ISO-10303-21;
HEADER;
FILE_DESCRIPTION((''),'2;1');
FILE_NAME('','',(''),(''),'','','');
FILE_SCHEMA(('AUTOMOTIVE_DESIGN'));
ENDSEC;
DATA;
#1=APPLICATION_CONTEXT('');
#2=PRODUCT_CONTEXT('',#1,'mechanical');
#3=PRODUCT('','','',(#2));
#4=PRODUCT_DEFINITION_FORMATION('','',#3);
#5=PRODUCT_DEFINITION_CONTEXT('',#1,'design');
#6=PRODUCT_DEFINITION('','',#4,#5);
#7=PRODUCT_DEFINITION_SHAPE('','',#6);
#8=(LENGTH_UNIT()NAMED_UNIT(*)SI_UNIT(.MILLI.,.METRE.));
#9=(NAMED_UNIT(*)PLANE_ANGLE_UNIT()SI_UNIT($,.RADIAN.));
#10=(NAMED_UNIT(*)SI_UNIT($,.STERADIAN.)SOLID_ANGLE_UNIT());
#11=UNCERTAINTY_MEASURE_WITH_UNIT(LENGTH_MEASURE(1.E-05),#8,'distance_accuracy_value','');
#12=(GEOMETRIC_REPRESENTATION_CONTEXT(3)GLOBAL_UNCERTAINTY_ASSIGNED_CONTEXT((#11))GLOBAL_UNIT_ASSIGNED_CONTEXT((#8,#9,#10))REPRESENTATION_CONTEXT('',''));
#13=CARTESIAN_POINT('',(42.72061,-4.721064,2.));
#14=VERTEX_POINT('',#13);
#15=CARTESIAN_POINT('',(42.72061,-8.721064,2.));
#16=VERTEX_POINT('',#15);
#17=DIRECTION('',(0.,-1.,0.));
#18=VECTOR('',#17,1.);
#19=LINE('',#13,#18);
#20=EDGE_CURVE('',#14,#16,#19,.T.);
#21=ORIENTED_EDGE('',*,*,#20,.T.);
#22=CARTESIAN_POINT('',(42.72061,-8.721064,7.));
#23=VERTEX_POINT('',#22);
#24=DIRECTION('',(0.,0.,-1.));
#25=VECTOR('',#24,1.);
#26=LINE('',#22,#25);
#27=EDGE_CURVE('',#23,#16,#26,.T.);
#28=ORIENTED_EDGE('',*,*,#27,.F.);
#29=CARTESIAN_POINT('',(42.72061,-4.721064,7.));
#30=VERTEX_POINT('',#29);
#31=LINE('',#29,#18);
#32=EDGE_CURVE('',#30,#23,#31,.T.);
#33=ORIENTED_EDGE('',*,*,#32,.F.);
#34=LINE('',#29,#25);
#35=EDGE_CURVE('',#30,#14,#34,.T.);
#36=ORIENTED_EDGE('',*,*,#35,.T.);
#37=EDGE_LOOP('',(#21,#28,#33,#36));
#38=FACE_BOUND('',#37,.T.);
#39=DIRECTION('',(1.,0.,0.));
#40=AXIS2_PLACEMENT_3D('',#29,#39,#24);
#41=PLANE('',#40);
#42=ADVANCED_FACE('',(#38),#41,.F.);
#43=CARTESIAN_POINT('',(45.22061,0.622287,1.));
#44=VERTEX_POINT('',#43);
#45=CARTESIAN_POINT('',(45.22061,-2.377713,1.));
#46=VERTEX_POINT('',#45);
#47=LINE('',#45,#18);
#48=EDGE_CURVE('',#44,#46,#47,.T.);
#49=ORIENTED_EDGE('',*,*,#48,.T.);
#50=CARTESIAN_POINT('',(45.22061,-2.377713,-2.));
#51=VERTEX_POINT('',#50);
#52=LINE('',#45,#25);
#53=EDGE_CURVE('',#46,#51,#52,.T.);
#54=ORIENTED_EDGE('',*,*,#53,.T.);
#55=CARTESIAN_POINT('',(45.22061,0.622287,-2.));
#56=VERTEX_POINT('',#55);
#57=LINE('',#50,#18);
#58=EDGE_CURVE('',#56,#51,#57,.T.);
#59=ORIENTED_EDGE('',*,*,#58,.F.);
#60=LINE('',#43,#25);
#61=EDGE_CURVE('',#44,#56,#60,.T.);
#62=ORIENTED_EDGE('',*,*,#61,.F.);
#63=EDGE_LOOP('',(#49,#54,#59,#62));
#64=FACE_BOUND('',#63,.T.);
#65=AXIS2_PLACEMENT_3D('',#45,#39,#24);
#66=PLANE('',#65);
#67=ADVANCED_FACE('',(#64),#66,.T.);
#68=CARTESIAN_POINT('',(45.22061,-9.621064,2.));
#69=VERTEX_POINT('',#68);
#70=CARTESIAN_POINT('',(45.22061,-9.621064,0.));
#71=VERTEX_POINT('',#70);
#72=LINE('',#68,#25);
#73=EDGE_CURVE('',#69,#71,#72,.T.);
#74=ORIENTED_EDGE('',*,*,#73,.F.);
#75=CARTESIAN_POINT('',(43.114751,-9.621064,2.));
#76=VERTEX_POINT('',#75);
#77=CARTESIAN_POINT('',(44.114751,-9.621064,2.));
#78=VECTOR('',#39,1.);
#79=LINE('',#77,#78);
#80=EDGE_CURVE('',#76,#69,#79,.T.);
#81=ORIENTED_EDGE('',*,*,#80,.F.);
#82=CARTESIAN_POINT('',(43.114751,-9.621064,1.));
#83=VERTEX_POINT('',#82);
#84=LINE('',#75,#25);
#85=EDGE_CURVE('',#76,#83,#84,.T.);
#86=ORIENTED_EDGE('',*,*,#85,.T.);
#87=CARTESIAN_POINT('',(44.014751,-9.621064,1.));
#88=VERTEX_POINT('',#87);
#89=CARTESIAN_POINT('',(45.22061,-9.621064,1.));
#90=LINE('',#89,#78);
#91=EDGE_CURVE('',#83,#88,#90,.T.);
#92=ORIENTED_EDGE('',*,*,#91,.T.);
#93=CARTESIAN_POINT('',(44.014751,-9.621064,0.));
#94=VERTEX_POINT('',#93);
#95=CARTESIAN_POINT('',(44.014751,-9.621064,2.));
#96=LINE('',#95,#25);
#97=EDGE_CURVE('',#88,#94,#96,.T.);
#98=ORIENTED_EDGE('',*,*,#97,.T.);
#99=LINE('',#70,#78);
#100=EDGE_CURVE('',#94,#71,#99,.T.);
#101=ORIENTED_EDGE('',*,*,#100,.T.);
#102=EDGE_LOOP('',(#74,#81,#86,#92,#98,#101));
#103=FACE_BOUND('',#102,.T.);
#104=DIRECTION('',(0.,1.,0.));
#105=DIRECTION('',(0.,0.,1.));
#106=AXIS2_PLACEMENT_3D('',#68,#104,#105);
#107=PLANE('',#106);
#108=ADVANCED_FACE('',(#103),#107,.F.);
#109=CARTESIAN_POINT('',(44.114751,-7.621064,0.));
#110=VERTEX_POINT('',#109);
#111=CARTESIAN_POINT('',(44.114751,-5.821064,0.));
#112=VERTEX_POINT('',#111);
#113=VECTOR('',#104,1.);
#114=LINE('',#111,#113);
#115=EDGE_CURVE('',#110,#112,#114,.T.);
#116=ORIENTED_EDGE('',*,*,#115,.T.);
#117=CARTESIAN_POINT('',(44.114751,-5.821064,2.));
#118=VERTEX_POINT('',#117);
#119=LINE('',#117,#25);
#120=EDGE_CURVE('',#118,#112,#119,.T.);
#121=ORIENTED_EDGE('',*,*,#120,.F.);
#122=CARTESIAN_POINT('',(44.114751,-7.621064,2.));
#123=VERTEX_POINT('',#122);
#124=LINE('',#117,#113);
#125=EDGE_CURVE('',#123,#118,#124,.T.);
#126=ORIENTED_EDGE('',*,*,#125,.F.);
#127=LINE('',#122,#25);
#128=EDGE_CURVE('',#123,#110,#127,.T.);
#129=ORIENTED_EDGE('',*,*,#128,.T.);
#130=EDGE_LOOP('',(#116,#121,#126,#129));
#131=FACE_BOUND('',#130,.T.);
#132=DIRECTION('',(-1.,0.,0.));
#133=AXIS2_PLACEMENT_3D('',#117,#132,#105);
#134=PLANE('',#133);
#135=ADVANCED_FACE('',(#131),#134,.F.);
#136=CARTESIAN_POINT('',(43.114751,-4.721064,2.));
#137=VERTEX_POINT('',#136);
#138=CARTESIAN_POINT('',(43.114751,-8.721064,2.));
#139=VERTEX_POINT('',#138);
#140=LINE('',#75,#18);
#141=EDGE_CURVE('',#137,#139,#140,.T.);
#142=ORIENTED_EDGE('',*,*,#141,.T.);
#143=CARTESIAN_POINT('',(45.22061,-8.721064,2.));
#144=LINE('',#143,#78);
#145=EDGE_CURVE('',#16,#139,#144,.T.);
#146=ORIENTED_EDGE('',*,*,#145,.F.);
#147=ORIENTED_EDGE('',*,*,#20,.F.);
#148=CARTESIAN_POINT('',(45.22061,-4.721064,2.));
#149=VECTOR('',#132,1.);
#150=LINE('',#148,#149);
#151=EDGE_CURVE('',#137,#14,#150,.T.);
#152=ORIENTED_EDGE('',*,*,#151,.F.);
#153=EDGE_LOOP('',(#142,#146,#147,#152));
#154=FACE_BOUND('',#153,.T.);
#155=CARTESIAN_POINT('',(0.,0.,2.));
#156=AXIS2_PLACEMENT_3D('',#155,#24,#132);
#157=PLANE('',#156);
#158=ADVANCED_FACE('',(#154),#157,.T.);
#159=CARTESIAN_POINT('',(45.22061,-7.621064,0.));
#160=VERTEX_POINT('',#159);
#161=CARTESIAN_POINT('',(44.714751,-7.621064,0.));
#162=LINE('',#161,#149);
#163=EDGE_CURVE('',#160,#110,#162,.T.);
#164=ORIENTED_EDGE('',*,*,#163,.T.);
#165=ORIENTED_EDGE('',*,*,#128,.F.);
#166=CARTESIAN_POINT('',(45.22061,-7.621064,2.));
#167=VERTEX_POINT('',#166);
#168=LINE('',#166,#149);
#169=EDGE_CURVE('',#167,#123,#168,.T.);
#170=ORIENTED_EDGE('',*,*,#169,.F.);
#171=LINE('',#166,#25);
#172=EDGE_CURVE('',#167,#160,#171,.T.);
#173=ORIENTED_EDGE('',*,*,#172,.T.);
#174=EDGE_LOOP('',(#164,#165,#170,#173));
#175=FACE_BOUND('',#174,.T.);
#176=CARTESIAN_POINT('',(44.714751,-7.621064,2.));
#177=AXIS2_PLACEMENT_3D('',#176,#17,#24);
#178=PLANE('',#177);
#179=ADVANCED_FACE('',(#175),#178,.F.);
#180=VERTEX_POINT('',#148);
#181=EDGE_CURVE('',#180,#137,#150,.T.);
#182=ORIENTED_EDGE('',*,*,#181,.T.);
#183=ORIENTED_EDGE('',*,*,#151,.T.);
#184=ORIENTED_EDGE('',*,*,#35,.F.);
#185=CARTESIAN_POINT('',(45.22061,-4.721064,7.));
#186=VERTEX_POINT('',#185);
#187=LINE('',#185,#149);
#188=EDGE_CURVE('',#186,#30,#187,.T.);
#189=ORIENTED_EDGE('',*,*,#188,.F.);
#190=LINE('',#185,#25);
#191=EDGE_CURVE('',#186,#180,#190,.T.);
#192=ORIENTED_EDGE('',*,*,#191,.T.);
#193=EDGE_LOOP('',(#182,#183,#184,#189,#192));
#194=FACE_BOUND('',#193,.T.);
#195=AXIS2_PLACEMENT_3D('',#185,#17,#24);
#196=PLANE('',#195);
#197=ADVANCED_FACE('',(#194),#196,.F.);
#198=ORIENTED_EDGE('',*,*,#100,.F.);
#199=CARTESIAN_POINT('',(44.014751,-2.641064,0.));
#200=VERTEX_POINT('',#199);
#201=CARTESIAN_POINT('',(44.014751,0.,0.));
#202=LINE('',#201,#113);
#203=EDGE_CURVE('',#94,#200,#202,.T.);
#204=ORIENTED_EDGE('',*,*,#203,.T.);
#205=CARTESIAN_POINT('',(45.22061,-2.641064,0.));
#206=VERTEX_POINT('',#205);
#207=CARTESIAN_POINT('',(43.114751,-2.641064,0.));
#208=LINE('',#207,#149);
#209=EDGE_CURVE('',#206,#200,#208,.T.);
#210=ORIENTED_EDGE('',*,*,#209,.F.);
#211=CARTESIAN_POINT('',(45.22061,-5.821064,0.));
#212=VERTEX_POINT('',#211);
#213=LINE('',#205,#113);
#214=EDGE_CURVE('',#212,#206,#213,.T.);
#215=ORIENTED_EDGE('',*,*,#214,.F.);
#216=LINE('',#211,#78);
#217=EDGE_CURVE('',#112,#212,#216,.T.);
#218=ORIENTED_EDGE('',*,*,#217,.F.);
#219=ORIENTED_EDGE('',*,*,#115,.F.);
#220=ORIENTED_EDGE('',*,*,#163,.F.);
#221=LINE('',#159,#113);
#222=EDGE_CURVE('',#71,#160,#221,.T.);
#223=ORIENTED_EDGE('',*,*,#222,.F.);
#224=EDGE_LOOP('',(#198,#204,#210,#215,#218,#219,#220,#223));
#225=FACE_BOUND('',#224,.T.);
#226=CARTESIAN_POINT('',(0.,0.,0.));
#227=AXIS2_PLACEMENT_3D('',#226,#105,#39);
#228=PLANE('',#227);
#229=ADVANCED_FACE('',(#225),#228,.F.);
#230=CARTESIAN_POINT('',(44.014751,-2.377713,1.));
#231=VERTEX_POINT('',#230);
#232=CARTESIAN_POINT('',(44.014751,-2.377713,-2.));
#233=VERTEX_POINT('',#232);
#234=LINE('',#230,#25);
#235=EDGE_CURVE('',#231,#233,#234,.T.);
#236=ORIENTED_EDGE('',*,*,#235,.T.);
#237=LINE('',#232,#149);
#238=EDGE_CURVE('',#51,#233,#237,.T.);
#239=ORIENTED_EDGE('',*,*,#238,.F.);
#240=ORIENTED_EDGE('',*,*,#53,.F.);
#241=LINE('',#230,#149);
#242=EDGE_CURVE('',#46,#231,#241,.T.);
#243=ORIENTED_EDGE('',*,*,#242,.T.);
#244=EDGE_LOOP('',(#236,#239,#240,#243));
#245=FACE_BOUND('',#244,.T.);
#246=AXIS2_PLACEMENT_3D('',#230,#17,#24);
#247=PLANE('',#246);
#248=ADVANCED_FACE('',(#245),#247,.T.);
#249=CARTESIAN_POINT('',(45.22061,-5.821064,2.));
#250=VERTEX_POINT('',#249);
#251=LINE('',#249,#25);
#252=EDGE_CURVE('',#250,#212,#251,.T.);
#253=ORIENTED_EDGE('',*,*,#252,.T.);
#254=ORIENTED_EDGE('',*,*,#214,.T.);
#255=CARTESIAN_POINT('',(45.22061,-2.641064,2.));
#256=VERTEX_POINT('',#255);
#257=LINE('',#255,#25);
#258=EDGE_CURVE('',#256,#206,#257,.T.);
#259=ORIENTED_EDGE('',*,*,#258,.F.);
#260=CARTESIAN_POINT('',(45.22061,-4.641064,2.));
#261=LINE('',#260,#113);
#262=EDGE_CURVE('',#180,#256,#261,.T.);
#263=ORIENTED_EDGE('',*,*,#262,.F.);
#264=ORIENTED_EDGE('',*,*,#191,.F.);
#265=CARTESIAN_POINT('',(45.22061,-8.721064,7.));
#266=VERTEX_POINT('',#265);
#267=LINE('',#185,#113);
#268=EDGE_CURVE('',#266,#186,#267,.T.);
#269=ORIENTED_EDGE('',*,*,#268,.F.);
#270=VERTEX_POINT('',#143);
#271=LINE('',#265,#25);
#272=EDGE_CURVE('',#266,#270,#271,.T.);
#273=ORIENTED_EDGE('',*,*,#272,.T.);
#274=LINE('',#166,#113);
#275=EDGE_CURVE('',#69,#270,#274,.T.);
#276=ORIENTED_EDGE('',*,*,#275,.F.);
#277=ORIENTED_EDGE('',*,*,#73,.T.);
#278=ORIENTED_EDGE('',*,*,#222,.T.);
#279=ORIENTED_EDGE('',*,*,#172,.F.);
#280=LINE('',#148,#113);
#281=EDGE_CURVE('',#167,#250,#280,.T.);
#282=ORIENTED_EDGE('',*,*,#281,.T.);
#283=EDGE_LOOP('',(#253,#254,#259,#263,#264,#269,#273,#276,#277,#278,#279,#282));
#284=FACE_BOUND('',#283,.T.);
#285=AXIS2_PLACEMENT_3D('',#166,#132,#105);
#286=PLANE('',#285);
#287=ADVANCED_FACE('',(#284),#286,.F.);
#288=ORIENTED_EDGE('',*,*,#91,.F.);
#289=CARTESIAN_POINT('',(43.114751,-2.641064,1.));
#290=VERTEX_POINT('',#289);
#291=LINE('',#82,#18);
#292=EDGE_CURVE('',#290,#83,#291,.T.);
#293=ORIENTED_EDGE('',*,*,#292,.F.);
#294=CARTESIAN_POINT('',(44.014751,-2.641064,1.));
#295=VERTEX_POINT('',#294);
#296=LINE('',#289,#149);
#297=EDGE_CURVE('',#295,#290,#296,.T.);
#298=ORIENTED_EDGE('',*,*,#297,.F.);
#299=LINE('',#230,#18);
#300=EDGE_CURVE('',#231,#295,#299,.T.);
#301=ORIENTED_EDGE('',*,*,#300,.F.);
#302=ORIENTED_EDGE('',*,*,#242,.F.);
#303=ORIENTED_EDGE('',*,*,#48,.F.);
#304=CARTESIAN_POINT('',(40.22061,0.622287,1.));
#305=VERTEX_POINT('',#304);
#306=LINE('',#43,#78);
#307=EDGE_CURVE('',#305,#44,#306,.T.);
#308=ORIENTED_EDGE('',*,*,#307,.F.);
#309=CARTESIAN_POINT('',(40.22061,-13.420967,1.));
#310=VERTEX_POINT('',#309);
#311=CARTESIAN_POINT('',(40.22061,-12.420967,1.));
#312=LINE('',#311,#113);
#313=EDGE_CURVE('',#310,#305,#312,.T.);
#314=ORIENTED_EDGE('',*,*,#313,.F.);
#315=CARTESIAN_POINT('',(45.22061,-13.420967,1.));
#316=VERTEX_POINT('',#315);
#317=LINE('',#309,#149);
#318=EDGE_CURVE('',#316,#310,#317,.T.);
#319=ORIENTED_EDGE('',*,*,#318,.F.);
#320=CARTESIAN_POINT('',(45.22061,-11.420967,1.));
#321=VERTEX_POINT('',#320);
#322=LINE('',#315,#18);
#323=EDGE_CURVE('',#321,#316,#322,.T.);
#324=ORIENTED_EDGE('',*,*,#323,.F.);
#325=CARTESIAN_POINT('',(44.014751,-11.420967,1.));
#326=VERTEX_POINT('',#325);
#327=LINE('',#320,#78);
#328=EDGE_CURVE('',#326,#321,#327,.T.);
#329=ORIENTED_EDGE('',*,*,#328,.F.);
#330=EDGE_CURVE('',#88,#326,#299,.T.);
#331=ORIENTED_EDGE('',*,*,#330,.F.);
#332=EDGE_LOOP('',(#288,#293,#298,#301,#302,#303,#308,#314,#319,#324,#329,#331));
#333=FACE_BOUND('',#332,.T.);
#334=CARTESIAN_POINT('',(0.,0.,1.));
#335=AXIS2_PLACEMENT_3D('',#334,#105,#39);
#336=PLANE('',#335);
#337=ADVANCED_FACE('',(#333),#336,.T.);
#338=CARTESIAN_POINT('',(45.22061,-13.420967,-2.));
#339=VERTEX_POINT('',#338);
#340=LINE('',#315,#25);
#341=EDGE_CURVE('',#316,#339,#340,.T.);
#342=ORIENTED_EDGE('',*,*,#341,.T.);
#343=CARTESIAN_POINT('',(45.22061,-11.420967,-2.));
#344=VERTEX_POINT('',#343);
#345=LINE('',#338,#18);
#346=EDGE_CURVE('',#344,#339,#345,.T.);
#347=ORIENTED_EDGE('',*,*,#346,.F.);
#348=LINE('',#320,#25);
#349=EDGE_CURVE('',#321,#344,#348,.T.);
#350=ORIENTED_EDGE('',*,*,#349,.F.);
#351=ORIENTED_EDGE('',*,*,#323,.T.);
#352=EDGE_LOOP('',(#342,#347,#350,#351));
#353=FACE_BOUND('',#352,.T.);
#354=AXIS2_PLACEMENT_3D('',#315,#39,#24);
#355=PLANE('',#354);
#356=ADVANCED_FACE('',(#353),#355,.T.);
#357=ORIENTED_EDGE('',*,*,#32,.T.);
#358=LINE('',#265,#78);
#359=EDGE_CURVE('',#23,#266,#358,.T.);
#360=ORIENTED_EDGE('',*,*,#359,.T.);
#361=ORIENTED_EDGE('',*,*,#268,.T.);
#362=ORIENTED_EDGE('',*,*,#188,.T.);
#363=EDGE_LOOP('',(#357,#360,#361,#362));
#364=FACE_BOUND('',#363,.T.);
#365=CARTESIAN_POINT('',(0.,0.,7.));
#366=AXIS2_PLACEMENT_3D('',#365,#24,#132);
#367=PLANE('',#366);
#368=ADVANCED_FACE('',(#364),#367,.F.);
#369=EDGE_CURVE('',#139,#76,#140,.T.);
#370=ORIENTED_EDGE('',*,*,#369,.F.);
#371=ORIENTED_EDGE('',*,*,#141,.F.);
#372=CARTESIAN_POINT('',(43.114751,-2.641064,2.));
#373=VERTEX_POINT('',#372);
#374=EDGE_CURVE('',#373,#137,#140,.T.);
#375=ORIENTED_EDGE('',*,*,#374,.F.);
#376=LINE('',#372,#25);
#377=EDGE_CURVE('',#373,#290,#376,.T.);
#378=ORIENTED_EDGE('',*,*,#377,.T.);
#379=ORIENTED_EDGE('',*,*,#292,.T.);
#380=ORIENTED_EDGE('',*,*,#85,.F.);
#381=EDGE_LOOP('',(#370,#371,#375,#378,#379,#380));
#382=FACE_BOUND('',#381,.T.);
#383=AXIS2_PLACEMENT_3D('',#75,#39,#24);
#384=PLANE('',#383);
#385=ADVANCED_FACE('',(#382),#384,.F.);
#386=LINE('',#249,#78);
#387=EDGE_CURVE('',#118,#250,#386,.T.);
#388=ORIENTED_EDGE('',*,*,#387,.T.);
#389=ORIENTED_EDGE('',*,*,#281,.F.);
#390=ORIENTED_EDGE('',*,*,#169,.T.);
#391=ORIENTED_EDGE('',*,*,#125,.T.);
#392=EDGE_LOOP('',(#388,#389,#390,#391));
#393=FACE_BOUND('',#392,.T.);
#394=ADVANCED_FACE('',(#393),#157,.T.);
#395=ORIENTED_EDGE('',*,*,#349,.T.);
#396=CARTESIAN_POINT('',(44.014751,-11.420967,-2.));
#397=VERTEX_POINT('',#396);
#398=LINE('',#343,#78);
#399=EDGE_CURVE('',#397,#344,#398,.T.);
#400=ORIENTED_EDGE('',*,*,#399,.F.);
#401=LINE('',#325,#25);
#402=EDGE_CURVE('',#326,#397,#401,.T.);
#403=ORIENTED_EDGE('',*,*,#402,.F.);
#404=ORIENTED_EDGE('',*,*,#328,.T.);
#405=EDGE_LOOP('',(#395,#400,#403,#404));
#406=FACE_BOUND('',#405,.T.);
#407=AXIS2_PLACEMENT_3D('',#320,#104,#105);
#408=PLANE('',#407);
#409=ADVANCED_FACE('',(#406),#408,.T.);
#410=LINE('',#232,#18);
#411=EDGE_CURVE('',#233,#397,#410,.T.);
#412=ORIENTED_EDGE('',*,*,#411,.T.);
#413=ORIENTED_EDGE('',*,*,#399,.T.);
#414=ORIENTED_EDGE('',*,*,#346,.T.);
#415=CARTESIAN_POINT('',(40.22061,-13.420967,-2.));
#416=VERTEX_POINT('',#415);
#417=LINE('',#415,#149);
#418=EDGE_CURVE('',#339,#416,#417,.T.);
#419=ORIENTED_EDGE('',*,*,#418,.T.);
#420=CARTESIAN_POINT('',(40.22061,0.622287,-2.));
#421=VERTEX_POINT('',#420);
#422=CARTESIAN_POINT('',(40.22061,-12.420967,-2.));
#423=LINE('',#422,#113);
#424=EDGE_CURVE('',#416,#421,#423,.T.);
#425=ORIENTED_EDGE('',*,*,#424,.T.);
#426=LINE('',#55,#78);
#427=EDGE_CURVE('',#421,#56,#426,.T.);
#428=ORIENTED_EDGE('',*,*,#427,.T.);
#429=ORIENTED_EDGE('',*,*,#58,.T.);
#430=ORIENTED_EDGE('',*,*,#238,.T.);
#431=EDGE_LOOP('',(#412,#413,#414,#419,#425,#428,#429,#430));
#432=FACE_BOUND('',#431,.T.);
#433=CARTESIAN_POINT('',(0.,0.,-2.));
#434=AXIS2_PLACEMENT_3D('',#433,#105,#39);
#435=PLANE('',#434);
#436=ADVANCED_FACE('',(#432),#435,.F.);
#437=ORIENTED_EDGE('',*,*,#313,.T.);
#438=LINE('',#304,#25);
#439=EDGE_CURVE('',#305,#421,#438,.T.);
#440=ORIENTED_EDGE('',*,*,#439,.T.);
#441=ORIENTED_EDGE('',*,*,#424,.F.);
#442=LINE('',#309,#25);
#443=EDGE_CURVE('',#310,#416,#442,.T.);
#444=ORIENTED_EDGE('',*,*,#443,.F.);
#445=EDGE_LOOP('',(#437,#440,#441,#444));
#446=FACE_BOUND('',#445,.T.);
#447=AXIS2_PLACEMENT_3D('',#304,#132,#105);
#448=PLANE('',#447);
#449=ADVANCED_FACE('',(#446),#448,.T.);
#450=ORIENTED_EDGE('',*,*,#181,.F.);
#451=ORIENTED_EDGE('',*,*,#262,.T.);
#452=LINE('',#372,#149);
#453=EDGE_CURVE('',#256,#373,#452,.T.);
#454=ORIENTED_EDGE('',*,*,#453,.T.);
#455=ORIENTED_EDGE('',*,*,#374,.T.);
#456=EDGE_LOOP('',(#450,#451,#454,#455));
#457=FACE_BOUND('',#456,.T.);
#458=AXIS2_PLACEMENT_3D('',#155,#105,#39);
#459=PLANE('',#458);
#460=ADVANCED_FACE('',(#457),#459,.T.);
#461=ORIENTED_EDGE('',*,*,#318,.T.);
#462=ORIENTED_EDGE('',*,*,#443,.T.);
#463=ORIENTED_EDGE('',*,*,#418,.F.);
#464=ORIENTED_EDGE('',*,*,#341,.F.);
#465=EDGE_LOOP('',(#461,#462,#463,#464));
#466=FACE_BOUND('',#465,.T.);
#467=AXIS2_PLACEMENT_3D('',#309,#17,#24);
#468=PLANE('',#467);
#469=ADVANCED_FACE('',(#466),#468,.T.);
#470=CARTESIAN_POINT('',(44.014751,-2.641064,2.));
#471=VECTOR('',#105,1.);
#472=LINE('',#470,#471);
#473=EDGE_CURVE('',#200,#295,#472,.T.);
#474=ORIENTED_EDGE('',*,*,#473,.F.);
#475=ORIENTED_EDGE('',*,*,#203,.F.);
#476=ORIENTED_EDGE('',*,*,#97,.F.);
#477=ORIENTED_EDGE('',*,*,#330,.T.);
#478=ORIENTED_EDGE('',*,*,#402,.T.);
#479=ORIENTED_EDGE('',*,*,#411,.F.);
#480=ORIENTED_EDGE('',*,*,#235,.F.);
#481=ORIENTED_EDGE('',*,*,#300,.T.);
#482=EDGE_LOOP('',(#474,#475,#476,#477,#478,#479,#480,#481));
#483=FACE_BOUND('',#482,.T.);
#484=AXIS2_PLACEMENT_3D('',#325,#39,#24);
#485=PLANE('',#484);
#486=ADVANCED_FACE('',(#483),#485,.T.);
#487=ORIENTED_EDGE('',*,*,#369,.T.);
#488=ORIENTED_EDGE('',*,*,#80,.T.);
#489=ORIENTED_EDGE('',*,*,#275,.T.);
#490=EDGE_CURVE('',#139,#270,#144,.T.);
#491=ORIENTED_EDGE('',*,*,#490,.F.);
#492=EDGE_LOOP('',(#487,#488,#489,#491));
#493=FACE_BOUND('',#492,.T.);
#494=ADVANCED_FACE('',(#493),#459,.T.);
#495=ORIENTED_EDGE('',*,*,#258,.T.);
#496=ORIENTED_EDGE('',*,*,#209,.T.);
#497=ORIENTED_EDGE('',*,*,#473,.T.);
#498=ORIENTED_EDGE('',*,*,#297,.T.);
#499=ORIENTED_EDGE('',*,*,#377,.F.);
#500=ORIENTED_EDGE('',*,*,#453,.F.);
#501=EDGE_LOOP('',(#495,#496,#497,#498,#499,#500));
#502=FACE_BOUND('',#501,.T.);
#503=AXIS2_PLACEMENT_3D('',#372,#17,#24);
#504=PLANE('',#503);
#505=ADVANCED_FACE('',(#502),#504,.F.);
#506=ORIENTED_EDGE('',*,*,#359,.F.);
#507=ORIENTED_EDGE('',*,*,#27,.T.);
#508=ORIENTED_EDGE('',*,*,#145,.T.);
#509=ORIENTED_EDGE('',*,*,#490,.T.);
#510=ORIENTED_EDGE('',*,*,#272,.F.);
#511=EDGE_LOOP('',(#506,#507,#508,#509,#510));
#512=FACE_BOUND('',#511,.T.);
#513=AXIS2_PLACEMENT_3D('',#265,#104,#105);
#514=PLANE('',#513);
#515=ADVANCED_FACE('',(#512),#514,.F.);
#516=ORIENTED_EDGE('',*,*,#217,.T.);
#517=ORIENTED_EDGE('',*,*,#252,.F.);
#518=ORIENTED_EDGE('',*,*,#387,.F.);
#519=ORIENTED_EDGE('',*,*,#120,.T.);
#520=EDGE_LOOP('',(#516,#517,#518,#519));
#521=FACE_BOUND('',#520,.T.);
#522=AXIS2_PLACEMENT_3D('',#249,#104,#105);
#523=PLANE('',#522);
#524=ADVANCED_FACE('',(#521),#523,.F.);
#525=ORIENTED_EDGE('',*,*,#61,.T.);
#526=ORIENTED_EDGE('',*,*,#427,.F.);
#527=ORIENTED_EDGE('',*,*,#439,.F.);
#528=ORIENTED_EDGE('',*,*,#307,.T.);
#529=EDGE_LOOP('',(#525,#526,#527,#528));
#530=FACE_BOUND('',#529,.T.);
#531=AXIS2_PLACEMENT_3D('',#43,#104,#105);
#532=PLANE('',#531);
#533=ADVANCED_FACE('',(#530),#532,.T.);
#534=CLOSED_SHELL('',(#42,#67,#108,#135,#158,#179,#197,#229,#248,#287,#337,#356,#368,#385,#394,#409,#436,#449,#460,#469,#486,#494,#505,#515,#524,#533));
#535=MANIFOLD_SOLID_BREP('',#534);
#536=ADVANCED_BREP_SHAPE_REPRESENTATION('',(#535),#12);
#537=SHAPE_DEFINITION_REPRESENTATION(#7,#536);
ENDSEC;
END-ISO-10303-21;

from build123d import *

# Parameters (mm, degrees)
SALIENTE_EXTRUIR1_DEPTH      = 2
CROQUIS2_W                   = 2.5
CROQUIS2_H                   = 4
SALIENTE_EXTRUIR2_DEPTH      = 5
SALIENTE_EXTRUIR3_DEPTH      = 2
SALIENTE_EXTRUIR3_DEPTH_BACK = 1


with BuildPart() as part:
    # Croquis1 → Saliente-Extruir1 (new body)
    with BuildSketch(Plane.XY):
        Polygon((44.714751496, -7.621064437), (44.114751496, -7.621064437), (44.114751496, -5.821064437), (45.220609876, -5.821064437), (45.220609876, -4.641064437), (45.220609876, -2.641064437), (43.114751496, -2.641064437), (43.114751496, -9.621064437), (44.114751496, -9.621064437), (45.220609876, -9.621064437), (45.220609876, -7.621064437), align=None)
    extrude(amount=SALIENTE_EXTRUIR1_DEPTH)

    # Croquis2 → Saliente-Extruir2 (add)
    with BuildSketch(Plane.XY.offset(2)):
        with Locations((43.970609876, -6.721064437)):
            Rectangle(CROQUIS2_W, CROQUIS2_H)
    extrude(amount=SALIENTE_EXTRUIR2_DEPTH)

    # Croquis3 → Saliente-Extruir3 (add, two sides: drawn at the far end of the back side and taken through both)
    with BuildSketch(Plane(origin=(0, 0, 0), x_dir=(-1, 0, 0), z_dir=(0, 0, -1)).offset(-SALIENTE_EXTRUIR3_DEPTH_BACK)):
        Polygon((-44.014751496, -2.37771269), (-44.014751496, -9.420966811), (-44.014751496, -11.420966811), (-45.220609876, -11.420966811), (-45.220609876, -13.420966811), (-40.220609876, -13.420966811), (-40.220609876, -12.420966811), (-40.220609876, 0.62228731), (-45.220609876, 0.62228731), (-45.220609876, -2.37771269), align=None)
    extrude(amount=SALIENTE_EXTRUIR3_DEPTH + SALIENTE_EXTRUIR3_DEPTH_BACK)


solid = part.part
